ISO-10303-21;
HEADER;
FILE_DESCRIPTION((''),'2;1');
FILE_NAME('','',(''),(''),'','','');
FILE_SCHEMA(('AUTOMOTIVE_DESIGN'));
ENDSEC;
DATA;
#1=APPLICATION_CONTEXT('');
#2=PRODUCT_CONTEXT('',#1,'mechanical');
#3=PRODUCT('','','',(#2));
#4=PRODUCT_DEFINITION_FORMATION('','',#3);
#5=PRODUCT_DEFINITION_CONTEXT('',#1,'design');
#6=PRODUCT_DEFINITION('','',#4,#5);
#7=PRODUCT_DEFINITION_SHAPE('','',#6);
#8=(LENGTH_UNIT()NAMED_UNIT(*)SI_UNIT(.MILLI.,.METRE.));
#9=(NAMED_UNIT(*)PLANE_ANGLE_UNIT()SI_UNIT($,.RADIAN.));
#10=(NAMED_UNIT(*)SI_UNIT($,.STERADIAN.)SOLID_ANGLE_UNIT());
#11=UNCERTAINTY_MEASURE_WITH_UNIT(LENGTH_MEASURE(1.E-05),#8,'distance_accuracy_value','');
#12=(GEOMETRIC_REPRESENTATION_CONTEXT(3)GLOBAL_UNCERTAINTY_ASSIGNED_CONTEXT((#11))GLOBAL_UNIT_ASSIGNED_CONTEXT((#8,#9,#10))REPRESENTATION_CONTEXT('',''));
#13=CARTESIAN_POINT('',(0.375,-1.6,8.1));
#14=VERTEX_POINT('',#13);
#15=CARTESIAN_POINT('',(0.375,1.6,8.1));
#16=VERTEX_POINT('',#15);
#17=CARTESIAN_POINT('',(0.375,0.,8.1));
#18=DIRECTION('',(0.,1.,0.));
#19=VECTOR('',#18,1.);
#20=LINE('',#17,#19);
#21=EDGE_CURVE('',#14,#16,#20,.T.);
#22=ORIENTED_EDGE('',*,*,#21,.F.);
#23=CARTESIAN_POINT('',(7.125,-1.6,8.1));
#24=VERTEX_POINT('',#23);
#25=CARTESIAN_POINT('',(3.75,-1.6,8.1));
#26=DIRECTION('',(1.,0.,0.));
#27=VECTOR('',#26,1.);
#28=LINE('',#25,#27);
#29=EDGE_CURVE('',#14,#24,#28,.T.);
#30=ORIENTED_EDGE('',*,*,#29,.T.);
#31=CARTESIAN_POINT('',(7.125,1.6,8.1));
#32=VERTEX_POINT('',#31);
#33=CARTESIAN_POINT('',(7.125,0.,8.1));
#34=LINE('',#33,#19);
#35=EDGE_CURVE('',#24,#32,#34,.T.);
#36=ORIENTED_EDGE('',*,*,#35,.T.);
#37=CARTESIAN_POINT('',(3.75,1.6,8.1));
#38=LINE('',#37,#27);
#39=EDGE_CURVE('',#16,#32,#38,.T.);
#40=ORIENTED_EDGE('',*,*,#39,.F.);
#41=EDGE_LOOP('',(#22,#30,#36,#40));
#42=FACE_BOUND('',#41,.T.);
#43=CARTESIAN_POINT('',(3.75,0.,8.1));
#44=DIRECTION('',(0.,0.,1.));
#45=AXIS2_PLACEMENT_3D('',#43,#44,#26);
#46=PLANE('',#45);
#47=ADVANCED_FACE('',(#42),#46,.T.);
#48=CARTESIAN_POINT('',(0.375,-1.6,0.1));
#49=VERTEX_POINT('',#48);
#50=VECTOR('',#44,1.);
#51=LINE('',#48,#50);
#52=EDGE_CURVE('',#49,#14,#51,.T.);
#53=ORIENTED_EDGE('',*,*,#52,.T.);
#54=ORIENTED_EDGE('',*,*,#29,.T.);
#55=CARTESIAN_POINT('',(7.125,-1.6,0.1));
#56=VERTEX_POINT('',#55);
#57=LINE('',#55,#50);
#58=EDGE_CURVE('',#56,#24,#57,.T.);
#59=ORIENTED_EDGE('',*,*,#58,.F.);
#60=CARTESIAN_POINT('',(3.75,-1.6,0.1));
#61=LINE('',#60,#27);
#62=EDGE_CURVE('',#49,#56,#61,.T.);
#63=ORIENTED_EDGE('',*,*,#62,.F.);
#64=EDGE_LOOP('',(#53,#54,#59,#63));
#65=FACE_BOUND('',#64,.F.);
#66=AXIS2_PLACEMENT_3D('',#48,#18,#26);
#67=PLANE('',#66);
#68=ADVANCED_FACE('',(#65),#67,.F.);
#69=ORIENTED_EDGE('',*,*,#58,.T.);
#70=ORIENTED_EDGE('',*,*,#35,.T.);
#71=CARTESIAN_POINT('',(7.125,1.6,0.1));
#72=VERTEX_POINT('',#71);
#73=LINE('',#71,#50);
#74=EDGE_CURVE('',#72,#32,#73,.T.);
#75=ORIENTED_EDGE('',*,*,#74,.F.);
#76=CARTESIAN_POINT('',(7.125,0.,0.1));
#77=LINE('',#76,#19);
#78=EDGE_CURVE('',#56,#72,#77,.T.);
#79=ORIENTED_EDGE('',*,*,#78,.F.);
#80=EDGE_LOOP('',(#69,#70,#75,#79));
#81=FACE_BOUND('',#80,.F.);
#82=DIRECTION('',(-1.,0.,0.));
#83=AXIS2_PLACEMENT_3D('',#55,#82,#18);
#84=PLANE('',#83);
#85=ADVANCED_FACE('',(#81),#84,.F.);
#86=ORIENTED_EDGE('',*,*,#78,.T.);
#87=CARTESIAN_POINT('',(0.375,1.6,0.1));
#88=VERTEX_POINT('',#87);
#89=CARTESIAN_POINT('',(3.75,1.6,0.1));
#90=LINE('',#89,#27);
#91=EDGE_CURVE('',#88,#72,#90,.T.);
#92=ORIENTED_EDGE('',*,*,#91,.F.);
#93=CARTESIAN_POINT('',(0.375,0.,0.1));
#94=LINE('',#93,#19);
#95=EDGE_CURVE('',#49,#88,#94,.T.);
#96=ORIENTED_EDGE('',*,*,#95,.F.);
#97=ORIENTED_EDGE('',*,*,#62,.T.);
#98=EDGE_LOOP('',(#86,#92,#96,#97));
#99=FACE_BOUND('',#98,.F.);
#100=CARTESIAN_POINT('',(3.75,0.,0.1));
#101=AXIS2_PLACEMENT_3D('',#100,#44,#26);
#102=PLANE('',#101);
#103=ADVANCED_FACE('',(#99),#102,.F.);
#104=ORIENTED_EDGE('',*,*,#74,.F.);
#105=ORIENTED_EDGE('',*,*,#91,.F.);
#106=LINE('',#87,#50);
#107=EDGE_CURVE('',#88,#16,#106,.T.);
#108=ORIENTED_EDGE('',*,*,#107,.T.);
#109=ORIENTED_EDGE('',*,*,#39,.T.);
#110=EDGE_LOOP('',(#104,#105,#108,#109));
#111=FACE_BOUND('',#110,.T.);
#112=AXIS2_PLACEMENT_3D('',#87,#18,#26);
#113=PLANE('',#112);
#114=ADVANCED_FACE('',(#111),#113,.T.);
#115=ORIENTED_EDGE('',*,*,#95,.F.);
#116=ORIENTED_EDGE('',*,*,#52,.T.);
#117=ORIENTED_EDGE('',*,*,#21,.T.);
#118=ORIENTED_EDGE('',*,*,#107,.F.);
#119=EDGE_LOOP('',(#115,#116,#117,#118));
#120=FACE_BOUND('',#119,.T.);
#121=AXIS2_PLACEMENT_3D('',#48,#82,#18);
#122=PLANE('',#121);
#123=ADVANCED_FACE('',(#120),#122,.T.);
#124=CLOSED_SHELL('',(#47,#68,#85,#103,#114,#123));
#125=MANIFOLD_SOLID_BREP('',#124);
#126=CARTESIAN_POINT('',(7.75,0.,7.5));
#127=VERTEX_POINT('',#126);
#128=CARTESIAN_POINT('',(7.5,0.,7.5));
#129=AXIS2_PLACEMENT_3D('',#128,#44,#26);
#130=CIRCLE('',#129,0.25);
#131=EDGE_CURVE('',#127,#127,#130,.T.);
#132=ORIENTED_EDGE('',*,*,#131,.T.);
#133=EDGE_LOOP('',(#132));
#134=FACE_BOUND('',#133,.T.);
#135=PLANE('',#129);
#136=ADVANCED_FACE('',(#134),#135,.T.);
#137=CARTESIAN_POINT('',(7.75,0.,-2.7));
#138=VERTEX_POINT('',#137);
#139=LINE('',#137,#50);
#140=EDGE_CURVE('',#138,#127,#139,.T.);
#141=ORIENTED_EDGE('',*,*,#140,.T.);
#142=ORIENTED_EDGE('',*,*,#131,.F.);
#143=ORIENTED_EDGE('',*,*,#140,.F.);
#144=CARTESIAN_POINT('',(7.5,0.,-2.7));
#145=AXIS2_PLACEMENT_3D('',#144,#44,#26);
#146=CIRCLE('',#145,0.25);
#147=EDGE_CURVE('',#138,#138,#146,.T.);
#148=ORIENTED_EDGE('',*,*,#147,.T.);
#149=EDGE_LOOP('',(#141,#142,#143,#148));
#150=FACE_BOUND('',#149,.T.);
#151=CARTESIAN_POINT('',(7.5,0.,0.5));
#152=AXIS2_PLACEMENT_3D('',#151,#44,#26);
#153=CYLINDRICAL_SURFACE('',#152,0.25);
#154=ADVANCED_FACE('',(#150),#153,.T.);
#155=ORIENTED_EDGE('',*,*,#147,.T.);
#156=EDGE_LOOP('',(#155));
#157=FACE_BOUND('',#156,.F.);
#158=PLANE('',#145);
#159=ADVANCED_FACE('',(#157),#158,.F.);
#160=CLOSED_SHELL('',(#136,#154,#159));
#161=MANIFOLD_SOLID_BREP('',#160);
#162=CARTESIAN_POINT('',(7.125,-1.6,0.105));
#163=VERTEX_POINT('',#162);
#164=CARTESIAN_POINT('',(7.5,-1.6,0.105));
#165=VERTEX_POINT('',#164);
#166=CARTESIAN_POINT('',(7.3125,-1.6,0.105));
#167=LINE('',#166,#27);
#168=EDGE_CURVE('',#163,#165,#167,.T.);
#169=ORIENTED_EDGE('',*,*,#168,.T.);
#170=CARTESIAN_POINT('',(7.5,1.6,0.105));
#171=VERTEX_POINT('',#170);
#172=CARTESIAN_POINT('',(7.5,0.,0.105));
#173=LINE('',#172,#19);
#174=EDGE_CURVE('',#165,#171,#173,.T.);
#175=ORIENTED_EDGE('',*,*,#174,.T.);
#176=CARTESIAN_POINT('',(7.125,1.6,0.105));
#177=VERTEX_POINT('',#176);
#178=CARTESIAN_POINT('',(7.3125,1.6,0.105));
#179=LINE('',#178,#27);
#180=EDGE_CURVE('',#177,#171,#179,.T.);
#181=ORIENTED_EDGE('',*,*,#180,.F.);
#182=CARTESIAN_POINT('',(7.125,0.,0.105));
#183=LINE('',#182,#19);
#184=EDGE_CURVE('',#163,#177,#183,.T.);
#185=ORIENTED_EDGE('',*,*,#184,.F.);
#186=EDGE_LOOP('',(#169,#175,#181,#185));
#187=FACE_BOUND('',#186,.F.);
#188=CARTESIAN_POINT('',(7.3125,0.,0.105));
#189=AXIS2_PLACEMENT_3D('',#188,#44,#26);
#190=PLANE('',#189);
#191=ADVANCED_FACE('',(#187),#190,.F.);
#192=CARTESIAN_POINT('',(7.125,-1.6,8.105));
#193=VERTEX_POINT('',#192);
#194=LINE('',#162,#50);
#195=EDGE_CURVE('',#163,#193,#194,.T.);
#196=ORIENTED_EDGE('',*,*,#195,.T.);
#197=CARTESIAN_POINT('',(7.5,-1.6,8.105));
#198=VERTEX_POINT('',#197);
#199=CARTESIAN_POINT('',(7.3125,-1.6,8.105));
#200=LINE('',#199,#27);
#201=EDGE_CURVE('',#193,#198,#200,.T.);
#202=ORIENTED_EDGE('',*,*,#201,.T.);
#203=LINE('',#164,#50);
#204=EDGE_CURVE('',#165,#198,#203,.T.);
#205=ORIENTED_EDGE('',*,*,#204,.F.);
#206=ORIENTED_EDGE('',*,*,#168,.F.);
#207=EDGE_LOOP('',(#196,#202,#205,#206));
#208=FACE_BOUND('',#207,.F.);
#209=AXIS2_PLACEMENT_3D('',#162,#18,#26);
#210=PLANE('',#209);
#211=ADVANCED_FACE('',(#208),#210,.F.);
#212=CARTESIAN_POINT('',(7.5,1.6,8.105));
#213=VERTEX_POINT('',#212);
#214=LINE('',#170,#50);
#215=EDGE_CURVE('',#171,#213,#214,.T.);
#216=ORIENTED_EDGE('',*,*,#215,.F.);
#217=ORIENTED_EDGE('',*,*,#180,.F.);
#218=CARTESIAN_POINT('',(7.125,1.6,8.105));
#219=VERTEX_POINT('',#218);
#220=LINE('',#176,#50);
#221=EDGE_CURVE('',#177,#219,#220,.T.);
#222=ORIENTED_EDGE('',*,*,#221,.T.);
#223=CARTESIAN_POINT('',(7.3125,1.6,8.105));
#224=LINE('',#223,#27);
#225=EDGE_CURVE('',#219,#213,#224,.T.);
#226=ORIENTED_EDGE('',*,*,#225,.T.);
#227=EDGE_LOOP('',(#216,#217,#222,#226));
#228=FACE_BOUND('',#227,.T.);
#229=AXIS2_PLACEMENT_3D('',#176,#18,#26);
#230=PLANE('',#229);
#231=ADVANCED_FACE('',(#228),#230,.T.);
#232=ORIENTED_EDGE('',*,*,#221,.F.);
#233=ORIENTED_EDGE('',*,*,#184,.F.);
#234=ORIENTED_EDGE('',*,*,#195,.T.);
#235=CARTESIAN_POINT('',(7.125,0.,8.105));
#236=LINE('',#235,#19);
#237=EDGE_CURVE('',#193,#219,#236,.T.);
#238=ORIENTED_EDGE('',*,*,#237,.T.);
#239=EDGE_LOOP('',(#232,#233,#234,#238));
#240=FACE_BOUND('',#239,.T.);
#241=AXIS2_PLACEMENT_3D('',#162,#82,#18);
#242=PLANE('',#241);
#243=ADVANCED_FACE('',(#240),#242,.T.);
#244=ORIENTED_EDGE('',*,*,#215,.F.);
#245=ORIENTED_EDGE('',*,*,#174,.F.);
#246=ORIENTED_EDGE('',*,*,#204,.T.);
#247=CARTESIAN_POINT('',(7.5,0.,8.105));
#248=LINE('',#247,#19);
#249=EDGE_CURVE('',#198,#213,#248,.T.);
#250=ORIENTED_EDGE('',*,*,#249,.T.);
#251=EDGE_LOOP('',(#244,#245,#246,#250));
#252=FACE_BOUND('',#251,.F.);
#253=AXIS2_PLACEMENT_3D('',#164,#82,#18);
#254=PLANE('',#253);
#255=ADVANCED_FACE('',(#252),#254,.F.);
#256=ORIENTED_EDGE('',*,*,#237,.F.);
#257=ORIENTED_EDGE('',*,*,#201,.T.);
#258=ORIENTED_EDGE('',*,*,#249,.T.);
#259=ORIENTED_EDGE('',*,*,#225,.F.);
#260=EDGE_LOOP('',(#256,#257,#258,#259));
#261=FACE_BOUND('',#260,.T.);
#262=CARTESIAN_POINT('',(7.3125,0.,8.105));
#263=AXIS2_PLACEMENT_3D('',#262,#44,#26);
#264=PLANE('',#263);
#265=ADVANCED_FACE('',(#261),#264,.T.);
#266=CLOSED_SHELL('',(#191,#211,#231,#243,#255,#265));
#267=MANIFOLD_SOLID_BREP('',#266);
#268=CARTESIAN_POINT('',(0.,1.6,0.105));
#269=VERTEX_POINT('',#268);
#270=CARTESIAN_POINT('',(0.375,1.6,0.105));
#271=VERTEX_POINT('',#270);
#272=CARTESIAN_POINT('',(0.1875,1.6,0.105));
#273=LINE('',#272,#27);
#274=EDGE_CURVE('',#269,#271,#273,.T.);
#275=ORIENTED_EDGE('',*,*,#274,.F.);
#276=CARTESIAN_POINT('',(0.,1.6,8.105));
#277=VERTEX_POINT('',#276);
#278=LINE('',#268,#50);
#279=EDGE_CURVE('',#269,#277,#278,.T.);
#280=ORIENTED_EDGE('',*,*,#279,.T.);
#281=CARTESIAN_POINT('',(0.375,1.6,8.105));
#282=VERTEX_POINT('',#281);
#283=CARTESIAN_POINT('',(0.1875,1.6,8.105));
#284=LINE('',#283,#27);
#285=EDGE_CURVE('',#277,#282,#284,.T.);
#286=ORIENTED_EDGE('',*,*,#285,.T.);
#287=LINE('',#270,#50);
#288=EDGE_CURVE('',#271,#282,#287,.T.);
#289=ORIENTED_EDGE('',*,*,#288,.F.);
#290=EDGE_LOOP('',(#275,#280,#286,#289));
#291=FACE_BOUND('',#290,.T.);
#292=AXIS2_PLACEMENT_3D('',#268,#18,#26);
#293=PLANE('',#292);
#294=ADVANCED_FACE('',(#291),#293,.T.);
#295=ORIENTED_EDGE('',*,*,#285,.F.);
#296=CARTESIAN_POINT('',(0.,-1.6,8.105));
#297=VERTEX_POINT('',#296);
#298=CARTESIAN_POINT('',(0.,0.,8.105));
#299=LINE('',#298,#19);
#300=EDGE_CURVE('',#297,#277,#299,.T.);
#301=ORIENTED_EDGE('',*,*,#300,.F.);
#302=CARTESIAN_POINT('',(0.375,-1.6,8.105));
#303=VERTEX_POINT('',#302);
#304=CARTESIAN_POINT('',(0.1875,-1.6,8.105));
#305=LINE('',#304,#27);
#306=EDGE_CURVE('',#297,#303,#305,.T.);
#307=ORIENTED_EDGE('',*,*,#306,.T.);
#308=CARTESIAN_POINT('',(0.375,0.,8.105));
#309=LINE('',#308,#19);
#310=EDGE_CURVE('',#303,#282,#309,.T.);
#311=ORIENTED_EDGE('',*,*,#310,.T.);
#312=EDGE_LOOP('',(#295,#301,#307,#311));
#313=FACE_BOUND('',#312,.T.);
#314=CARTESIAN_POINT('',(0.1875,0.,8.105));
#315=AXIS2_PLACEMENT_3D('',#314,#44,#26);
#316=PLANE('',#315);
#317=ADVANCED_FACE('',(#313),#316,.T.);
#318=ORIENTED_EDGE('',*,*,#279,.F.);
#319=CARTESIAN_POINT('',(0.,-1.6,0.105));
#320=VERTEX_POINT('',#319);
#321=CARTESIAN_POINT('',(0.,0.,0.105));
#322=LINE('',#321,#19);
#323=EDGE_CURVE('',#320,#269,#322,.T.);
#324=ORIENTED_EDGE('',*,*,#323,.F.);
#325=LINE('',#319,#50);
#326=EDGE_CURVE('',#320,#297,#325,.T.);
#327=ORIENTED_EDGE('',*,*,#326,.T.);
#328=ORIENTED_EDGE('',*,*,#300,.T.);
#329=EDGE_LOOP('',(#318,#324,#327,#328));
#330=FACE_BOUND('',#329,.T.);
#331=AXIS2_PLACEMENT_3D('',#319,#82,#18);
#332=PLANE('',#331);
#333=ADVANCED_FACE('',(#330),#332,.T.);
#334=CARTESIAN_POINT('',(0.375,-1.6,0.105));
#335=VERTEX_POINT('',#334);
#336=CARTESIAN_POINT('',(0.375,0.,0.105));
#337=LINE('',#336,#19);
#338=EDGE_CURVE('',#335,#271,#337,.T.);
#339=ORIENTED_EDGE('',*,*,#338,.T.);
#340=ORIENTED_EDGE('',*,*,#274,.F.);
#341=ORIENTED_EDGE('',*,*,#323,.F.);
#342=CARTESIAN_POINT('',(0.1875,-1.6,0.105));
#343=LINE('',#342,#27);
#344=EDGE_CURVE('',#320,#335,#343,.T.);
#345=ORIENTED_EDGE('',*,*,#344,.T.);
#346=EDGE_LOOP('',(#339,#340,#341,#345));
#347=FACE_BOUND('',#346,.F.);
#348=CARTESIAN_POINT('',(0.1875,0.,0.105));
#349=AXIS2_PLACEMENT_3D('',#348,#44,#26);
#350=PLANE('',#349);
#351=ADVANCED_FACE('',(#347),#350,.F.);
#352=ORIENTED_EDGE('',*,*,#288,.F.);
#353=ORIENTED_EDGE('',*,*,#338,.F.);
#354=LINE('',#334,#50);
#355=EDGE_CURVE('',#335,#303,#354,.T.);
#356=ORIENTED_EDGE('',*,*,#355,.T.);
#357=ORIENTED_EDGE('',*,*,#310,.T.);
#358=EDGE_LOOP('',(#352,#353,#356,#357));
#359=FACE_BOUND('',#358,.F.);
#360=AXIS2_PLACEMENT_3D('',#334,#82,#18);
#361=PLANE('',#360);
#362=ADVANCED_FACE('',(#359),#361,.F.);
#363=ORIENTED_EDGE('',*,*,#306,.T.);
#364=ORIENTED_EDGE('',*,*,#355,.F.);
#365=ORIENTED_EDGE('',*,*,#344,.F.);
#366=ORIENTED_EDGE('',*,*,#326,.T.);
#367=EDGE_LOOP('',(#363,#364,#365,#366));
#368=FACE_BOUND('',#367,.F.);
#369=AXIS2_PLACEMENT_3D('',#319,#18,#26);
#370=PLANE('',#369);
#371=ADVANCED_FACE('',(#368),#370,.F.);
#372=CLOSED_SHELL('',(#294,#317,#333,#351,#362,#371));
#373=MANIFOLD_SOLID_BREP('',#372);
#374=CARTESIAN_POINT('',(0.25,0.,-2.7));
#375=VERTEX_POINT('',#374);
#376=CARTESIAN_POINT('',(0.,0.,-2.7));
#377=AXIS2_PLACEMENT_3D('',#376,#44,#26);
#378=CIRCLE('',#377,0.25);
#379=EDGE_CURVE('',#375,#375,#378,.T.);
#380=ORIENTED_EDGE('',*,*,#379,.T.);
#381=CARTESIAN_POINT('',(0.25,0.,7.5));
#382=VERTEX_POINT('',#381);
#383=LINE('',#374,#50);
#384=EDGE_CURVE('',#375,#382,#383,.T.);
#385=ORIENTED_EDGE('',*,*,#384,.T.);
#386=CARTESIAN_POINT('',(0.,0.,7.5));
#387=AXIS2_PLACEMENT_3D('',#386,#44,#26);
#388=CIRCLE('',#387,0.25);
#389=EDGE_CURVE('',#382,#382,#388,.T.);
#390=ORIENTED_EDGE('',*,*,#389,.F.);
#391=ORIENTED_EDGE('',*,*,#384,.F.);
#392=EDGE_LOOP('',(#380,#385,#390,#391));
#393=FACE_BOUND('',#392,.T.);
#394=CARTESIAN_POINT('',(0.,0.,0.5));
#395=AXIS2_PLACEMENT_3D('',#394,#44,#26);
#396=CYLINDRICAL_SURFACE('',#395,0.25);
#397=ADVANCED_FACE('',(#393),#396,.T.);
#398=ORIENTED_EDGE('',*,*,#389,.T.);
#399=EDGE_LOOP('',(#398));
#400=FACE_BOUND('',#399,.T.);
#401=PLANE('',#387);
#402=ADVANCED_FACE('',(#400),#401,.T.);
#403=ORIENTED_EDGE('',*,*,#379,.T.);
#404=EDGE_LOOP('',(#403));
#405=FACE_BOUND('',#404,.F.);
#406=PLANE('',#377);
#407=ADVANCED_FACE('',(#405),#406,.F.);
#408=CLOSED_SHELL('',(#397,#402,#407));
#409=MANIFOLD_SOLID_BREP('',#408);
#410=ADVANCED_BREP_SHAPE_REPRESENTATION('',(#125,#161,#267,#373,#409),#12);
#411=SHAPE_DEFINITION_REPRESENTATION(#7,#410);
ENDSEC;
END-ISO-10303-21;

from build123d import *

# Parameters (mm, degrees)
SKETCH_W          = 6.75
SKETCH_H          = 3.2
PAD_DEPTH         = 8
SKETCH001_R       = 0.25
PAD001_DEPTH      = 7
PAD001_DEPTH_BACK = 3.2
SKETCH002_W       = 0.375
SKETCH002_H       = 3.2
PAD002_DEPTH      = 8


with BuildPart() as pad:
    # Sketch → Pad (new body)
    with BuildSketch(Plane.XY.offset(0.1)):
        with Locations((3.75, 0)):
            Rectangle(SKETCH_W, SKETCH_H)
    extrude(amount=PAD_DEPTH)


with BuildPart() as pad001:
    # Sketch001 → Pad001 (new body, two sides)
    with BuildSketch(Plane.XY.offset(0.5)) as pad001_sk:
        Circle(SKETCH001_R)
        with Locations((7.5, 0)):
            Circle(SKETCH001_R)
    extrude(amount=PAD001_DEPTH)
    extrude(pad001_sk.sketch, amount=-PAD001_DEPTH_BACK)


with BuildPart() as pad002:
    # Sketch002 → Pad002 (new body)
    with BuildSketch(Plane.XY.offset(0.105)):
        with Locations((0.1875, 0)):
            Rectangle(SKETCH002_W, SKETCH002_H)
        with Locations((7.3125, 0)):
            Rectangle(SKETCH002_W, SKETCH002_H)
    extrude(amount=PAD002_DEPTH)


solid = Compound([pad.part, pad001.part, pad002.part])
